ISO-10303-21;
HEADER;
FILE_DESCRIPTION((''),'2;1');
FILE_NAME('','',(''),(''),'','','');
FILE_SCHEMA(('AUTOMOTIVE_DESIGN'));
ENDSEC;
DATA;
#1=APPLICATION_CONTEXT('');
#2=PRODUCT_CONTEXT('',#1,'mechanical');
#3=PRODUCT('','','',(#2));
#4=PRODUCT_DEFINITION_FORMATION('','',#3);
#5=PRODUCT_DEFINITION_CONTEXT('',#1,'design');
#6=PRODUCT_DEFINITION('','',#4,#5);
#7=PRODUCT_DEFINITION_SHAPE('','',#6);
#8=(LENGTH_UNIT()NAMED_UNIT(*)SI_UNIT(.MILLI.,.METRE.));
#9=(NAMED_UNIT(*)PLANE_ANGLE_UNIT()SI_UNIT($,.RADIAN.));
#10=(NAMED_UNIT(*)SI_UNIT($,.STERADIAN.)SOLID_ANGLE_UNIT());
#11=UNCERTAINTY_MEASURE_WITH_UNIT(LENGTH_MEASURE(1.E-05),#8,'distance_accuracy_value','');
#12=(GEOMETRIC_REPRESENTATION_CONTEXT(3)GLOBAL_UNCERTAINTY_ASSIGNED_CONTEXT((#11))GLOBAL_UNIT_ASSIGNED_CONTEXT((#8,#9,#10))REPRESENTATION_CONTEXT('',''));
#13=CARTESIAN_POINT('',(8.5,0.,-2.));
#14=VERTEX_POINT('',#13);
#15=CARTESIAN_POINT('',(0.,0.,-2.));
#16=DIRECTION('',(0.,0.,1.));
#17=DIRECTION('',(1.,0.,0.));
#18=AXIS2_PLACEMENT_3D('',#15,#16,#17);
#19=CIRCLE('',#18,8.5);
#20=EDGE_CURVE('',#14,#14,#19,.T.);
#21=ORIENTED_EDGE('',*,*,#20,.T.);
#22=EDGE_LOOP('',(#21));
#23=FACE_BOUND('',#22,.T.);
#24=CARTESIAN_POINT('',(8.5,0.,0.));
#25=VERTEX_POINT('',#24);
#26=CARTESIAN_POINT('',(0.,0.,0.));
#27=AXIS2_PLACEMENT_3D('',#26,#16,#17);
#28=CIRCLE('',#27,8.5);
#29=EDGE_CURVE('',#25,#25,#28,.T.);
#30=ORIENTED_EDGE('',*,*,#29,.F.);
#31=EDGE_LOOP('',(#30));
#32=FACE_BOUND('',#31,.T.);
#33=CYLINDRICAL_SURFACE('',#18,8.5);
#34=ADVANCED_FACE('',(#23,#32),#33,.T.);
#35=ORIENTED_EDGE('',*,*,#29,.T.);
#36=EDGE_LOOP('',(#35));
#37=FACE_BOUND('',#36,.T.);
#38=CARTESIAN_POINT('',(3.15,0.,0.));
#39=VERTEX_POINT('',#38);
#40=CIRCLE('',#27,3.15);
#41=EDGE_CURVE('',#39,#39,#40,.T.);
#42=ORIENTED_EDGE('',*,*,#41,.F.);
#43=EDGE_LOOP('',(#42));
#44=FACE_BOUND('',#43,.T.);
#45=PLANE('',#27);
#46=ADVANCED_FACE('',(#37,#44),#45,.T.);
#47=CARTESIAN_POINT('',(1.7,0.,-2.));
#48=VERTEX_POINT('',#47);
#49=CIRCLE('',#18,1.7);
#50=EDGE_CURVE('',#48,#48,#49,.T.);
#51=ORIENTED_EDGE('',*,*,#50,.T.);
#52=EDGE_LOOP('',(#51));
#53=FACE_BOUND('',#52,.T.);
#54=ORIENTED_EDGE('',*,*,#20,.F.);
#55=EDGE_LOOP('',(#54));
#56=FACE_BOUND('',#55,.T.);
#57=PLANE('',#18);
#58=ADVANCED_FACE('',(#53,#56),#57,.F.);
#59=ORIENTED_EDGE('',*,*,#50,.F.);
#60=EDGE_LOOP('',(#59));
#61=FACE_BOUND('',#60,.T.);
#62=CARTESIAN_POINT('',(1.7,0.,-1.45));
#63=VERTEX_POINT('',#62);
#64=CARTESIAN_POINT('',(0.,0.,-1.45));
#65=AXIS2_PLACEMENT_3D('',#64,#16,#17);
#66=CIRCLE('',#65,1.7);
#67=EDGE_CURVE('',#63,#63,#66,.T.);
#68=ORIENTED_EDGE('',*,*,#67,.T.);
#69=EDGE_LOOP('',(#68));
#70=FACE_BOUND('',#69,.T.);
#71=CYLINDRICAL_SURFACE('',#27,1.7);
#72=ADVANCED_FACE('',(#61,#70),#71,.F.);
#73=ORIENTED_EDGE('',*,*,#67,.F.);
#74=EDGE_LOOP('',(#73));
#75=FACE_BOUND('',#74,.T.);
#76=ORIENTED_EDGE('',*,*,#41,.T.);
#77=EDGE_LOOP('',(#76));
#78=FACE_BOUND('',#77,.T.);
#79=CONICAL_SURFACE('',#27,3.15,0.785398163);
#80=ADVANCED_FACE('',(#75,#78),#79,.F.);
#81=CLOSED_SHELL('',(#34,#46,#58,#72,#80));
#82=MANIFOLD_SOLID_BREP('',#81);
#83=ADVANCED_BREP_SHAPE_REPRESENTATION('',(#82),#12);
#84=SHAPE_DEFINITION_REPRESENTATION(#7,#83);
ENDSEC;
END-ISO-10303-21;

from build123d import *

# Parameters (mm, degrees)
SKETCH1_R           = 8.5
BOSS_EXTRUDE1_DEPTH = 2


with BuildPart() as part:
    # Sketch1 → Boss-Extrude1 (new body)
    with BuildSketch(Plane.XY):
        Circle(SKETCH1_R)
    extrude(amount=-BOSS_EXTRUDE1_DEPTH)

    # Sketch3 → CSK for M3 Flat Head Machine Screw1 (revolve, cut)
    with BuildSketch(Plane(origin=(0, 0, 0), x_dir=(0, -1, 0), z_dir=(1, 0, 0))):
        Polygon((0, 0), (0, 2), (1.7, 2), (1.7, 1.45), (3.15, 0), align=None)
    revolve(axis=Axis((0, 0, 6.35), (0, 0, -1)), mode=Mode.SUBTRACT)


solid = part.part
